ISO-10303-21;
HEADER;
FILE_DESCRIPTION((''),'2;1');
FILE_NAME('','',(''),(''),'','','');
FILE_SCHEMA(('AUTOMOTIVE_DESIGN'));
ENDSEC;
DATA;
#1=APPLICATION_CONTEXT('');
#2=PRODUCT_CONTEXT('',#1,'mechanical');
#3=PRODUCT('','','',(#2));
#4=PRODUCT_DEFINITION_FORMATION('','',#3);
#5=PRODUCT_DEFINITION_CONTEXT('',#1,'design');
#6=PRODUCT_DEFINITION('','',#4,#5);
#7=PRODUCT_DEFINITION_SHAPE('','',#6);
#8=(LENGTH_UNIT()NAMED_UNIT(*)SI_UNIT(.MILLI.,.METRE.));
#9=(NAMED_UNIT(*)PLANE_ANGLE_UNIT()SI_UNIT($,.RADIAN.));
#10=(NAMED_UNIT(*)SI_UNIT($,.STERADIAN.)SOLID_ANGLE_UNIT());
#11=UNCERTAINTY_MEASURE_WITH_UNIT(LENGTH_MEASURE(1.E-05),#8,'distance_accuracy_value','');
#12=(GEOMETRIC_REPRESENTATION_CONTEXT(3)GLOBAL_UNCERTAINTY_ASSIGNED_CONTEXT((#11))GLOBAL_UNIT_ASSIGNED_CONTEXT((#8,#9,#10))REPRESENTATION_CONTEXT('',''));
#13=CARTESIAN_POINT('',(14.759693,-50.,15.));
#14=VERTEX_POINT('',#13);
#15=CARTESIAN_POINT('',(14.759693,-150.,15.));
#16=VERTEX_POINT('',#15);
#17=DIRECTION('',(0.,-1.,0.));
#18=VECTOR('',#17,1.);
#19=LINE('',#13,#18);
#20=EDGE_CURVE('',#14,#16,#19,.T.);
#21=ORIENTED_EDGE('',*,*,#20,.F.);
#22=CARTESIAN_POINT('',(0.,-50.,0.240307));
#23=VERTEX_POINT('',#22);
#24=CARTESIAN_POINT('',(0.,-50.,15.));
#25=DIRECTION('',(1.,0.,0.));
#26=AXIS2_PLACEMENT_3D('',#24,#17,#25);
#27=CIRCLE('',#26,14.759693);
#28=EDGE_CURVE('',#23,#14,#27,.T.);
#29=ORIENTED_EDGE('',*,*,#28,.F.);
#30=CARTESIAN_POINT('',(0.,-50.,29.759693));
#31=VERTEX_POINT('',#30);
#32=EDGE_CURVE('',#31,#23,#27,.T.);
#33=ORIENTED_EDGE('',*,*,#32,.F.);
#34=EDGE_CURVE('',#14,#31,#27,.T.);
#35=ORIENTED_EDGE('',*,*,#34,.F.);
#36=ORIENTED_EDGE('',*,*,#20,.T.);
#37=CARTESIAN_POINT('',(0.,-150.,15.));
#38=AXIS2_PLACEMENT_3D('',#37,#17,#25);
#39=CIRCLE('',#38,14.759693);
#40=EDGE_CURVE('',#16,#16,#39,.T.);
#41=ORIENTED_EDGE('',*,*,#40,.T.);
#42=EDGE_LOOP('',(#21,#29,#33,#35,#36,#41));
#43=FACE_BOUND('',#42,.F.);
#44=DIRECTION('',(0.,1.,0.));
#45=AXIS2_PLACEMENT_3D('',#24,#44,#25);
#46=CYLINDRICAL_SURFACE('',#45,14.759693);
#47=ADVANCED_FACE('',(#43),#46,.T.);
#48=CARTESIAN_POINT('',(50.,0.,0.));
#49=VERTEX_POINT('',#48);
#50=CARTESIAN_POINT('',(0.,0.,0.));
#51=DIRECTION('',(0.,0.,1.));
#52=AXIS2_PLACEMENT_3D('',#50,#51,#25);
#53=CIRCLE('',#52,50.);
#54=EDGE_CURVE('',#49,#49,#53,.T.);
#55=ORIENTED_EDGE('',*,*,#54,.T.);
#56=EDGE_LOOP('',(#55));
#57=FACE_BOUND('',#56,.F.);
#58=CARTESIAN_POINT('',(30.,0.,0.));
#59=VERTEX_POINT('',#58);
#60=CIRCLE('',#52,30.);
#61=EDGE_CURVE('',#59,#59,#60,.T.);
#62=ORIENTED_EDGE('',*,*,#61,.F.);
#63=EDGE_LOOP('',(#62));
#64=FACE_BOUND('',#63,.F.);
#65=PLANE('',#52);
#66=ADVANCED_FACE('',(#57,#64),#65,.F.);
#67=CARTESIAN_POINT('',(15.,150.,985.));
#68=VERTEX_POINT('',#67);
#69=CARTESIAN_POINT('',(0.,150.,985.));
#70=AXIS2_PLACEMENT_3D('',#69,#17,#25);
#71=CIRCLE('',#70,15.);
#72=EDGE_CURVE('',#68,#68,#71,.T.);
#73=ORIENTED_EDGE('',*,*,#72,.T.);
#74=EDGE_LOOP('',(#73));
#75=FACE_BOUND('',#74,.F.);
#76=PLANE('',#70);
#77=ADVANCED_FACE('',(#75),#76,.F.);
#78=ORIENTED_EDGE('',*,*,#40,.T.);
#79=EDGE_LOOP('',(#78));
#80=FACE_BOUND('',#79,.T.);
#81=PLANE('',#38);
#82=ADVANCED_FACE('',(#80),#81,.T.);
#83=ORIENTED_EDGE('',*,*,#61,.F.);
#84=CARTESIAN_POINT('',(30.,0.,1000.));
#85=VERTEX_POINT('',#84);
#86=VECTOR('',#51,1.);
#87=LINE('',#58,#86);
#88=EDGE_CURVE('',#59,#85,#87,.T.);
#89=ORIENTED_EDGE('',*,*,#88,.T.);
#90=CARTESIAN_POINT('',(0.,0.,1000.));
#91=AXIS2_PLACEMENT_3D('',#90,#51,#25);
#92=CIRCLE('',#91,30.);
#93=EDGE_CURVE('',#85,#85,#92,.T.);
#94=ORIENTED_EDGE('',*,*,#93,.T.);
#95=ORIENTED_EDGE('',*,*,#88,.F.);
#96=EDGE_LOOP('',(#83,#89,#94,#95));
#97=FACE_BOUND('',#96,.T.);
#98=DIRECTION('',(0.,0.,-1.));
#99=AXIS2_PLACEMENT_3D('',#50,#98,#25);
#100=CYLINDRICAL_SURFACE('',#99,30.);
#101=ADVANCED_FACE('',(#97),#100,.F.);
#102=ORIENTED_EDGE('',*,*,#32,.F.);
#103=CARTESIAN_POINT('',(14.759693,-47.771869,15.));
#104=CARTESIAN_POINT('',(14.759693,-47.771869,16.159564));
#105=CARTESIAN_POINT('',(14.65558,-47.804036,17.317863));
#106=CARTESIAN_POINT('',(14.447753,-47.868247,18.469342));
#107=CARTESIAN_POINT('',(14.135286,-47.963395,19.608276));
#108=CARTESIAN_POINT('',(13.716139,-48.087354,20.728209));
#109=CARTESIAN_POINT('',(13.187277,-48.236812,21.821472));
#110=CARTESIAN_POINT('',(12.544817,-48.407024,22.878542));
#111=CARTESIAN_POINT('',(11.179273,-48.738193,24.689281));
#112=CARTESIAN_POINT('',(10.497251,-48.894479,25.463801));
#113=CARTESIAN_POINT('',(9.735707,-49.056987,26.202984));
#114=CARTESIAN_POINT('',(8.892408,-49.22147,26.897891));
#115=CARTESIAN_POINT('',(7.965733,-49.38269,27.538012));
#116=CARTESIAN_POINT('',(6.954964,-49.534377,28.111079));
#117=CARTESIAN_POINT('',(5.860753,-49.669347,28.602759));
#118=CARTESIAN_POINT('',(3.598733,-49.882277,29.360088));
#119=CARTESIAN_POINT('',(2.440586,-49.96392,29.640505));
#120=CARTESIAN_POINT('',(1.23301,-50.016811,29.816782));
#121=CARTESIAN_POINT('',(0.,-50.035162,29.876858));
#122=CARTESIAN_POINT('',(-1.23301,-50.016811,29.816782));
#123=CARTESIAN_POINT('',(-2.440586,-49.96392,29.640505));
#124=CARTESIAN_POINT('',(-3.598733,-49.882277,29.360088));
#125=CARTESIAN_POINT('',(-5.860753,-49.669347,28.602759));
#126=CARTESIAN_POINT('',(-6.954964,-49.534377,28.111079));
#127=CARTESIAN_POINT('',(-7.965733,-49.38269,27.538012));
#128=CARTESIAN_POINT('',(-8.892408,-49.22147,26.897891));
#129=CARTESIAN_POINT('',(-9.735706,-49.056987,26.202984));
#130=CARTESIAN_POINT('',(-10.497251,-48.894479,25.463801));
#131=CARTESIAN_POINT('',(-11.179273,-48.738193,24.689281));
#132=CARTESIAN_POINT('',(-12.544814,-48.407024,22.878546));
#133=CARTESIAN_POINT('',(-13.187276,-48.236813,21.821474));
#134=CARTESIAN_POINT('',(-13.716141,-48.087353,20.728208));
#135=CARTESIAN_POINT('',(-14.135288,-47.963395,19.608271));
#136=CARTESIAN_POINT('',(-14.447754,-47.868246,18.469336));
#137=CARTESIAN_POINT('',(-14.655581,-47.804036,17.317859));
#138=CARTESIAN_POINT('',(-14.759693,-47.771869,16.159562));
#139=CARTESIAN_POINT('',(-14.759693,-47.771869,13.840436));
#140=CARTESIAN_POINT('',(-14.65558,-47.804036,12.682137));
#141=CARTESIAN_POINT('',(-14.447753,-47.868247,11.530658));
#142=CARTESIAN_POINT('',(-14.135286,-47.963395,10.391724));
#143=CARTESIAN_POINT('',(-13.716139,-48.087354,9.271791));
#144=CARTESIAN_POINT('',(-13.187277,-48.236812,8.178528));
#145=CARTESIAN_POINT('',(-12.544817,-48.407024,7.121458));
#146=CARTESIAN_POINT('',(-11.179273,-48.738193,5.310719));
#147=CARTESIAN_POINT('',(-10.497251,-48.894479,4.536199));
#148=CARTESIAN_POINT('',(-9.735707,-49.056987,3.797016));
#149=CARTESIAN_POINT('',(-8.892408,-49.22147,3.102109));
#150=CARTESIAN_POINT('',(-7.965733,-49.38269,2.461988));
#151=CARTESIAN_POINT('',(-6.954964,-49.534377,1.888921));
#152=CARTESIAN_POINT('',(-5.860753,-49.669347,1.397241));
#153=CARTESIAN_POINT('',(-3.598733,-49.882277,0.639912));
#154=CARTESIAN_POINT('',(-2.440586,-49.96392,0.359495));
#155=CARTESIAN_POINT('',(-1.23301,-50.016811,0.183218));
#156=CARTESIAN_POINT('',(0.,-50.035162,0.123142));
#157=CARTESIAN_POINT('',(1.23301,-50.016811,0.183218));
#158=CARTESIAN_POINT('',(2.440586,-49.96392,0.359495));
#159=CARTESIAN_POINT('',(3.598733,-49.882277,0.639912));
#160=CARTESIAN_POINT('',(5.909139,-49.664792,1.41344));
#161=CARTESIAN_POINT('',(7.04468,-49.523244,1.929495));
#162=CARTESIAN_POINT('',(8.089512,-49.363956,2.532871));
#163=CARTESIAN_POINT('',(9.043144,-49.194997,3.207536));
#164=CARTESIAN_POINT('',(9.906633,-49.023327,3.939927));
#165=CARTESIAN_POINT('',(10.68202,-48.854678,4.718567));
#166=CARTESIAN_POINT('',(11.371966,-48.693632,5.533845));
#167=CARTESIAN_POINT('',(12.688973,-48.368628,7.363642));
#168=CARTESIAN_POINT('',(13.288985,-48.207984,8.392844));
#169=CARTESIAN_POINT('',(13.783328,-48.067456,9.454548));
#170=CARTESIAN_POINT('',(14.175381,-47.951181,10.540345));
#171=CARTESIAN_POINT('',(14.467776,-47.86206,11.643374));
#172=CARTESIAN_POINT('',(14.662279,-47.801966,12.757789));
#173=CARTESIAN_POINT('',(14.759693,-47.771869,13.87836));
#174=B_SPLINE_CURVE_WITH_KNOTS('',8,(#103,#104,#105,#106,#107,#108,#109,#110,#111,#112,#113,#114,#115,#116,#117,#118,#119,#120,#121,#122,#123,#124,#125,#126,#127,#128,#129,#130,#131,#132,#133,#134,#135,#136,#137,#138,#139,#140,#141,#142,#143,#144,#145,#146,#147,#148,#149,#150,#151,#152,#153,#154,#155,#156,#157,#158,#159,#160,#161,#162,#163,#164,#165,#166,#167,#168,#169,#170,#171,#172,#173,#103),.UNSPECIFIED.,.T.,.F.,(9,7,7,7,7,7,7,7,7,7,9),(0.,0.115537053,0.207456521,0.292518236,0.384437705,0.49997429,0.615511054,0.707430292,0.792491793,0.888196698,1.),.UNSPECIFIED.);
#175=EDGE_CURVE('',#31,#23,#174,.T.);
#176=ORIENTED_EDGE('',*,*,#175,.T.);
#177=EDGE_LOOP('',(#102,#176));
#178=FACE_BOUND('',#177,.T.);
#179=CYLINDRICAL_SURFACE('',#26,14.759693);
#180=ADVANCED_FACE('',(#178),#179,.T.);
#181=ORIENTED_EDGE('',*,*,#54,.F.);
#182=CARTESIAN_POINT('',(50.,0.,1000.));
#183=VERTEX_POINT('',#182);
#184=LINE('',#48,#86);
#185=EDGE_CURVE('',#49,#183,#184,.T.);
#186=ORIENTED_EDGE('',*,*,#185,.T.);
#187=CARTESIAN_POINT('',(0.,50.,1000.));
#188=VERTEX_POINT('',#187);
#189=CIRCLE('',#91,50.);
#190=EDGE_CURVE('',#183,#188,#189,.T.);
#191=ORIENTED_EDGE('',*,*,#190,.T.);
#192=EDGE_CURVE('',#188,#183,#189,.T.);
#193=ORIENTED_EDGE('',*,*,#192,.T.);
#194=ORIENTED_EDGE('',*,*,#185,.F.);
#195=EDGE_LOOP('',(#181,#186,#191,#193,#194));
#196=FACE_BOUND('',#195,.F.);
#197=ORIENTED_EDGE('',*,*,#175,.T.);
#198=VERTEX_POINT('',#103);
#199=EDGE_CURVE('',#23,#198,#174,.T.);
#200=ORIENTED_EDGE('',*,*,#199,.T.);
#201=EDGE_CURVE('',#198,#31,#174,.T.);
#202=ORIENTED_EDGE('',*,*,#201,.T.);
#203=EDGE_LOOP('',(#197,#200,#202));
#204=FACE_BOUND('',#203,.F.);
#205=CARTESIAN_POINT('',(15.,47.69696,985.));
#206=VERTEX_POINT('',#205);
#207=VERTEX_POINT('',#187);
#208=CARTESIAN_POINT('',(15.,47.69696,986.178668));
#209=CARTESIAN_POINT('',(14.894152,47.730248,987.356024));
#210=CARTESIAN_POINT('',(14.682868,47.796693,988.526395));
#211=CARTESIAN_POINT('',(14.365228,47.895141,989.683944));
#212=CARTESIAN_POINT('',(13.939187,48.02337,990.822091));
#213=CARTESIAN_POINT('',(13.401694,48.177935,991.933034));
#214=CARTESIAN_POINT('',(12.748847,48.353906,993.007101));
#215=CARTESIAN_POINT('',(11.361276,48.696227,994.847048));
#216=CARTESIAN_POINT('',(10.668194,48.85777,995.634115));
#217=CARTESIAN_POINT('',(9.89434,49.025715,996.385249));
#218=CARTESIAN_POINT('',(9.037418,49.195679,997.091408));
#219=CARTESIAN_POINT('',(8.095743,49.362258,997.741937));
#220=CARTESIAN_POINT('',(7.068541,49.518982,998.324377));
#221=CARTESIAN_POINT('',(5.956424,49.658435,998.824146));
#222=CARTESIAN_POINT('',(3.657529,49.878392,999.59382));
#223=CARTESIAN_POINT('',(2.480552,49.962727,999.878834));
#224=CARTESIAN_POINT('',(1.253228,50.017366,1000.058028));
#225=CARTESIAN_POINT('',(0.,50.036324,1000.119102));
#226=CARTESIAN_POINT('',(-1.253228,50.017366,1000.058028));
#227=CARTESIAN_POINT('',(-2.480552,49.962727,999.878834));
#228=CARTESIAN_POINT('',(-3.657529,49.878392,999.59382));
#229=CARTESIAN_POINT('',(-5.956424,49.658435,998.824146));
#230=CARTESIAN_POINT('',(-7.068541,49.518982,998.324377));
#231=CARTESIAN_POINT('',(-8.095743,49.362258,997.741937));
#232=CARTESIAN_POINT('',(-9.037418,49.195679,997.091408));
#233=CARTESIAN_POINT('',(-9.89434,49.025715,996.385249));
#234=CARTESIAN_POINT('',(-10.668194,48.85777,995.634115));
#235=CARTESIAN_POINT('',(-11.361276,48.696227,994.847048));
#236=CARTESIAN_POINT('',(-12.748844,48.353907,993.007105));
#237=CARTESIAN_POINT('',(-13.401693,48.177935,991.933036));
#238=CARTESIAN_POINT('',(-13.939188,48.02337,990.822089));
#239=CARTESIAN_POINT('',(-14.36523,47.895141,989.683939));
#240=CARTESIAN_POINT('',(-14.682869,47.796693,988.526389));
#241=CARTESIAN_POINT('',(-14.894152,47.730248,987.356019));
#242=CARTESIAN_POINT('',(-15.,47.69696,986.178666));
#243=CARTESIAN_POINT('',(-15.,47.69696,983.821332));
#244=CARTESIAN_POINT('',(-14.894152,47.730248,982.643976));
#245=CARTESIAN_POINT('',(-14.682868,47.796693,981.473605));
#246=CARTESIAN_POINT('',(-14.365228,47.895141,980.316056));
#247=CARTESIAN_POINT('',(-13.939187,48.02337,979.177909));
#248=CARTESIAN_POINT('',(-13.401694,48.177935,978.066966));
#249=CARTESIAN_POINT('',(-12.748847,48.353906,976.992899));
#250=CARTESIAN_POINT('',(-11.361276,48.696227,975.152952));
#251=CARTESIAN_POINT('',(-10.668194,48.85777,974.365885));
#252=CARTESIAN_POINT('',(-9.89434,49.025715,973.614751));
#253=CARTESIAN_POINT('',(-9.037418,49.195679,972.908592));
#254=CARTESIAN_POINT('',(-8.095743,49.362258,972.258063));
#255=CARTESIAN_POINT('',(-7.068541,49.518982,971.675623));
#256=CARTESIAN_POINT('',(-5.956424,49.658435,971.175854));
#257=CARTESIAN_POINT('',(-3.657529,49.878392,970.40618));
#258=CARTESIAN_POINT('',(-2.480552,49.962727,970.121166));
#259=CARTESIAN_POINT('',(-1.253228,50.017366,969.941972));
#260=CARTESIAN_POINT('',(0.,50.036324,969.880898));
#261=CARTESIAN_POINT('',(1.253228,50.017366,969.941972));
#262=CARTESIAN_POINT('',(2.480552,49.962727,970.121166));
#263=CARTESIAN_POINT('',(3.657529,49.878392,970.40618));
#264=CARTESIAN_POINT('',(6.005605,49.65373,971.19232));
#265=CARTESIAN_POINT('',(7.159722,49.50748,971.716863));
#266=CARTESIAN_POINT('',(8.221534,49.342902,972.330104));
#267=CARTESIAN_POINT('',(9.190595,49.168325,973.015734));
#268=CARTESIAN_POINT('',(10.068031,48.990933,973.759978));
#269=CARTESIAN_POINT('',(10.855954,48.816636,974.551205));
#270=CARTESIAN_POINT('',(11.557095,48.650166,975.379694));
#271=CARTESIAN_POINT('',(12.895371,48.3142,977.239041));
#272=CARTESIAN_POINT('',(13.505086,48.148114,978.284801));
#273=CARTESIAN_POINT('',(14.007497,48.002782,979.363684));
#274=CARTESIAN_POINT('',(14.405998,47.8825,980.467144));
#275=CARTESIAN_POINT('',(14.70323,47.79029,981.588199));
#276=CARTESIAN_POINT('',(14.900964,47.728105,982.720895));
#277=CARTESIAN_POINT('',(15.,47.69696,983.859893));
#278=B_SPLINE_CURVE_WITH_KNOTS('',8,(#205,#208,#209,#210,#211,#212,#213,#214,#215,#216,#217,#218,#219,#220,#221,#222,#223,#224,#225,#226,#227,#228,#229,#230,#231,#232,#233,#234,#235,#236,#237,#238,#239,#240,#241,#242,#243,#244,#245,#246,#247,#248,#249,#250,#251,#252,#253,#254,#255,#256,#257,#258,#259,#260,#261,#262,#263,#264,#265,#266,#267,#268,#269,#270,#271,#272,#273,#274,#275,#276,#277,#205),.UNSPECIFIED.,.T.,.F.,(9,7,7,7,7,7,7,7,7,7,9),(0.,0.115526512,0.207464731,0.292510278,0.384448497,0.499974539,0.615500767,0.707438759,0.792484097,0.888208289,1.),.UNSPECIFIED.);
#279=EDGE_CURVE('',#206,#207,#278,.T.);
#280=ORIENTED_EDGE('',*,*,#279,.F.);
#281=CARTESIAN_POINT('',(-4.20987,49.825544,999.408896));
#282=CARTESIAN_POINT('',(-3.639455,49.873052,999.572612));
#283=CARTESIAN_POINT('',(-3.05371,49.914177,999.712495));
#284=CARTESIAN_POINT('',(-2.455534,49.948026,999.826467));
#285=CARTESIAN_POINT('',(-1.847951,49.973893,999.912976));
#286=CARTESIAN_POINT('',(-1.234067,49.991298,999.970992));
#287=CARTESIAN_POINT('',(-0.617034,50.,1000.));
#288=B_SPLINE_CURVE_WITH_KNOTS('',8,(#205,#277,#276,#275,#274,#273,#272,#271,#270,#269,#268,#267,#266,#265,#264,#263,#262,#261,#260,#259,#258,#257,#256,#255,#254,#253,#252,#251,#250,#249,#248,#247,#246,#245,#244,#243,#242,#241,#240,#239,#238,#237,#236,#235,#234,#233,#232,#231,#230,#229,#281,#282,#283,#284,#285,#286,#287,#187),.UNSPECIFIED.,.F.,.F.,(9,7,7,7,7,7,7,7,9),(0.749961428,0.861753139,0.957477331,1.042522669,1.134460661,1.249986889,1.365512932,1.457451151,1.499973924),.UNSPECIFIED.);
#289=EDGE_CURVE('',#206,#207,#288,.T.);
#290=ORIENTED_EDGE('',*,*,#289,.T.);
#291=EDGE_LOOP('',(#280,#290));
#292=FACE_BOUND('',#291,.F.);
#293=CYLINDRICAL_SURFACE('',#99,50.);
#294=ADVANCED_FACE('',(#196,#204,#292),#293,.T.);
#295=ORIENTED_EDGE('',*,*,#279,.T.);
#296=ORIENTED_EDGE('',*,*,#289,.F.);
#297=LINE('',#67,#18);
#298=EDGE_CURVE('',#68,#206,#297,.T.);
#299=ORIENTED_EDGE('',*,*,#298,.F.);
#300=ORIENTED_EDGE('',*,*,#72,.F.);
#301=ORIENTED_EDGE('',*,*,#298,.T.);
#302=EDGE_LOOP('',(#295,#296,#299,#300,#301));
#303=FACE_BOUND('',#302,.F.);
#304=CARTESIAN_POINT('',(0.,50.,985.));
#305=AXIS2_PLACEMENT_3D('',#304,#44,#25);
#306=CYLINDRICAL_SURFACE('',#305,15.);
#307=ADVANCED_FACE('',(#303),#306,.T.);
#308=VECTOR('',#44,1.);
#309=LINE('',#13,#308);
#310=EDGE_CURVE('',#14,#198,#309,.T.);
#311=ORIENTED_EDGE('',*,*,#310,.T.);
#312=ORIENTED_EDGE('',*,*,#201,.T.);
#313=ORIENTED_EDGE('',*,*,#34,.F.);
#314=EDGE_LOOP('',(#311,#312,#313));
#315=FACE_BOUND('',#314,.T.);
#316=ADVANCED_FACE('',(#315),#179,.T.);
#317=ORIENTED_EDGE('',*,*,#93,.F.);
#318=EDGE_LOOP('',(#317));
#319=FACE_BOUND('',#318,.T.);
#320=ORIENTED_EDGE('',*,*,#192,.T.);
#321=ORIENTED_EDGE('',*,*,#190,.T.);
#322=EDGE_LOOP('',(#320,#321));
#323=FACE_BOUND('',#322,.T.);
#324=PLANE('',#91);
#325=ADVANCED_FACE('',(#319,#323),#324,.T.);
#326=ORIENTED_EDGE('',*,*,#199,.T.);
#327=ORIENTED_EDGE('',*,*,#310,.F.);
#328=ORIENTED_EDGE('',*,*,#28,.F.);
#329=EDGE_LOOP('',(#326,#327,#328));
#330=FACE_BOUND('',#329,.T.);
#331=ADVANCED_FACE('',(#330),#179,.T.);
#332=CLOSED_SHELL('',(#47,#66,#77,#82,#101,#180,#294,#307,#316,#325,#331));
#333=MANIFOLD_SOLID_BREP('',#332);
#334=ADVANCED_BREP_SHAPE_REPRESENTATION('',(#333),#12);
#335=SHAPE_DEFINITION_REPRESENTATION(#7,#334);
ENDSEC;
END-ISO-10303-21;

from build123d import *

# Parameters (mm, degrees)
F0_R          = 50
F0_R_2        = 30
F1_DEPTH      = 1000
F3_R          = 14.7596932235
F4_DEPTH      = 100
F4_DEPTH_BACK = 7
F6_R          = 15
F7_DEPTH      = 100
F7_DEPTH_BACK = 7


with BuildPart() as f1:
    # F0 (on Top) → F1 (new body)
    with BuildSketch(Plane.XY):
        Circle(F0_R)
        Circle(F0_R_2, mode=Mode.SUBTRACT)
    extrude(amount=F1_DEPTH)

    # F3 (on offset) → F4 (join, two sides)
    with BuildSketch(Plane.XZ.offset(50)) as f4_sk:
        with Locations((0, 15)):
            Circle(F3_R)
    extrude(amount=F4_DEPTH)
    extrude(f4_sk.sketch, amount=-F4_DEPTH_BACK)

    # F6 (on offset) → F7 (join, two sides)
    with BuildSketch(Plane.XZ.offset(-50)) as f7_sk:
        with Locations((0, 985)):
            Circle(F6_R)
    extrude(amount=-F7_DEPTH)
    extrude(f7_sk.sketch, amount=F7_DEPTH_BACK)


solid = f1.part
